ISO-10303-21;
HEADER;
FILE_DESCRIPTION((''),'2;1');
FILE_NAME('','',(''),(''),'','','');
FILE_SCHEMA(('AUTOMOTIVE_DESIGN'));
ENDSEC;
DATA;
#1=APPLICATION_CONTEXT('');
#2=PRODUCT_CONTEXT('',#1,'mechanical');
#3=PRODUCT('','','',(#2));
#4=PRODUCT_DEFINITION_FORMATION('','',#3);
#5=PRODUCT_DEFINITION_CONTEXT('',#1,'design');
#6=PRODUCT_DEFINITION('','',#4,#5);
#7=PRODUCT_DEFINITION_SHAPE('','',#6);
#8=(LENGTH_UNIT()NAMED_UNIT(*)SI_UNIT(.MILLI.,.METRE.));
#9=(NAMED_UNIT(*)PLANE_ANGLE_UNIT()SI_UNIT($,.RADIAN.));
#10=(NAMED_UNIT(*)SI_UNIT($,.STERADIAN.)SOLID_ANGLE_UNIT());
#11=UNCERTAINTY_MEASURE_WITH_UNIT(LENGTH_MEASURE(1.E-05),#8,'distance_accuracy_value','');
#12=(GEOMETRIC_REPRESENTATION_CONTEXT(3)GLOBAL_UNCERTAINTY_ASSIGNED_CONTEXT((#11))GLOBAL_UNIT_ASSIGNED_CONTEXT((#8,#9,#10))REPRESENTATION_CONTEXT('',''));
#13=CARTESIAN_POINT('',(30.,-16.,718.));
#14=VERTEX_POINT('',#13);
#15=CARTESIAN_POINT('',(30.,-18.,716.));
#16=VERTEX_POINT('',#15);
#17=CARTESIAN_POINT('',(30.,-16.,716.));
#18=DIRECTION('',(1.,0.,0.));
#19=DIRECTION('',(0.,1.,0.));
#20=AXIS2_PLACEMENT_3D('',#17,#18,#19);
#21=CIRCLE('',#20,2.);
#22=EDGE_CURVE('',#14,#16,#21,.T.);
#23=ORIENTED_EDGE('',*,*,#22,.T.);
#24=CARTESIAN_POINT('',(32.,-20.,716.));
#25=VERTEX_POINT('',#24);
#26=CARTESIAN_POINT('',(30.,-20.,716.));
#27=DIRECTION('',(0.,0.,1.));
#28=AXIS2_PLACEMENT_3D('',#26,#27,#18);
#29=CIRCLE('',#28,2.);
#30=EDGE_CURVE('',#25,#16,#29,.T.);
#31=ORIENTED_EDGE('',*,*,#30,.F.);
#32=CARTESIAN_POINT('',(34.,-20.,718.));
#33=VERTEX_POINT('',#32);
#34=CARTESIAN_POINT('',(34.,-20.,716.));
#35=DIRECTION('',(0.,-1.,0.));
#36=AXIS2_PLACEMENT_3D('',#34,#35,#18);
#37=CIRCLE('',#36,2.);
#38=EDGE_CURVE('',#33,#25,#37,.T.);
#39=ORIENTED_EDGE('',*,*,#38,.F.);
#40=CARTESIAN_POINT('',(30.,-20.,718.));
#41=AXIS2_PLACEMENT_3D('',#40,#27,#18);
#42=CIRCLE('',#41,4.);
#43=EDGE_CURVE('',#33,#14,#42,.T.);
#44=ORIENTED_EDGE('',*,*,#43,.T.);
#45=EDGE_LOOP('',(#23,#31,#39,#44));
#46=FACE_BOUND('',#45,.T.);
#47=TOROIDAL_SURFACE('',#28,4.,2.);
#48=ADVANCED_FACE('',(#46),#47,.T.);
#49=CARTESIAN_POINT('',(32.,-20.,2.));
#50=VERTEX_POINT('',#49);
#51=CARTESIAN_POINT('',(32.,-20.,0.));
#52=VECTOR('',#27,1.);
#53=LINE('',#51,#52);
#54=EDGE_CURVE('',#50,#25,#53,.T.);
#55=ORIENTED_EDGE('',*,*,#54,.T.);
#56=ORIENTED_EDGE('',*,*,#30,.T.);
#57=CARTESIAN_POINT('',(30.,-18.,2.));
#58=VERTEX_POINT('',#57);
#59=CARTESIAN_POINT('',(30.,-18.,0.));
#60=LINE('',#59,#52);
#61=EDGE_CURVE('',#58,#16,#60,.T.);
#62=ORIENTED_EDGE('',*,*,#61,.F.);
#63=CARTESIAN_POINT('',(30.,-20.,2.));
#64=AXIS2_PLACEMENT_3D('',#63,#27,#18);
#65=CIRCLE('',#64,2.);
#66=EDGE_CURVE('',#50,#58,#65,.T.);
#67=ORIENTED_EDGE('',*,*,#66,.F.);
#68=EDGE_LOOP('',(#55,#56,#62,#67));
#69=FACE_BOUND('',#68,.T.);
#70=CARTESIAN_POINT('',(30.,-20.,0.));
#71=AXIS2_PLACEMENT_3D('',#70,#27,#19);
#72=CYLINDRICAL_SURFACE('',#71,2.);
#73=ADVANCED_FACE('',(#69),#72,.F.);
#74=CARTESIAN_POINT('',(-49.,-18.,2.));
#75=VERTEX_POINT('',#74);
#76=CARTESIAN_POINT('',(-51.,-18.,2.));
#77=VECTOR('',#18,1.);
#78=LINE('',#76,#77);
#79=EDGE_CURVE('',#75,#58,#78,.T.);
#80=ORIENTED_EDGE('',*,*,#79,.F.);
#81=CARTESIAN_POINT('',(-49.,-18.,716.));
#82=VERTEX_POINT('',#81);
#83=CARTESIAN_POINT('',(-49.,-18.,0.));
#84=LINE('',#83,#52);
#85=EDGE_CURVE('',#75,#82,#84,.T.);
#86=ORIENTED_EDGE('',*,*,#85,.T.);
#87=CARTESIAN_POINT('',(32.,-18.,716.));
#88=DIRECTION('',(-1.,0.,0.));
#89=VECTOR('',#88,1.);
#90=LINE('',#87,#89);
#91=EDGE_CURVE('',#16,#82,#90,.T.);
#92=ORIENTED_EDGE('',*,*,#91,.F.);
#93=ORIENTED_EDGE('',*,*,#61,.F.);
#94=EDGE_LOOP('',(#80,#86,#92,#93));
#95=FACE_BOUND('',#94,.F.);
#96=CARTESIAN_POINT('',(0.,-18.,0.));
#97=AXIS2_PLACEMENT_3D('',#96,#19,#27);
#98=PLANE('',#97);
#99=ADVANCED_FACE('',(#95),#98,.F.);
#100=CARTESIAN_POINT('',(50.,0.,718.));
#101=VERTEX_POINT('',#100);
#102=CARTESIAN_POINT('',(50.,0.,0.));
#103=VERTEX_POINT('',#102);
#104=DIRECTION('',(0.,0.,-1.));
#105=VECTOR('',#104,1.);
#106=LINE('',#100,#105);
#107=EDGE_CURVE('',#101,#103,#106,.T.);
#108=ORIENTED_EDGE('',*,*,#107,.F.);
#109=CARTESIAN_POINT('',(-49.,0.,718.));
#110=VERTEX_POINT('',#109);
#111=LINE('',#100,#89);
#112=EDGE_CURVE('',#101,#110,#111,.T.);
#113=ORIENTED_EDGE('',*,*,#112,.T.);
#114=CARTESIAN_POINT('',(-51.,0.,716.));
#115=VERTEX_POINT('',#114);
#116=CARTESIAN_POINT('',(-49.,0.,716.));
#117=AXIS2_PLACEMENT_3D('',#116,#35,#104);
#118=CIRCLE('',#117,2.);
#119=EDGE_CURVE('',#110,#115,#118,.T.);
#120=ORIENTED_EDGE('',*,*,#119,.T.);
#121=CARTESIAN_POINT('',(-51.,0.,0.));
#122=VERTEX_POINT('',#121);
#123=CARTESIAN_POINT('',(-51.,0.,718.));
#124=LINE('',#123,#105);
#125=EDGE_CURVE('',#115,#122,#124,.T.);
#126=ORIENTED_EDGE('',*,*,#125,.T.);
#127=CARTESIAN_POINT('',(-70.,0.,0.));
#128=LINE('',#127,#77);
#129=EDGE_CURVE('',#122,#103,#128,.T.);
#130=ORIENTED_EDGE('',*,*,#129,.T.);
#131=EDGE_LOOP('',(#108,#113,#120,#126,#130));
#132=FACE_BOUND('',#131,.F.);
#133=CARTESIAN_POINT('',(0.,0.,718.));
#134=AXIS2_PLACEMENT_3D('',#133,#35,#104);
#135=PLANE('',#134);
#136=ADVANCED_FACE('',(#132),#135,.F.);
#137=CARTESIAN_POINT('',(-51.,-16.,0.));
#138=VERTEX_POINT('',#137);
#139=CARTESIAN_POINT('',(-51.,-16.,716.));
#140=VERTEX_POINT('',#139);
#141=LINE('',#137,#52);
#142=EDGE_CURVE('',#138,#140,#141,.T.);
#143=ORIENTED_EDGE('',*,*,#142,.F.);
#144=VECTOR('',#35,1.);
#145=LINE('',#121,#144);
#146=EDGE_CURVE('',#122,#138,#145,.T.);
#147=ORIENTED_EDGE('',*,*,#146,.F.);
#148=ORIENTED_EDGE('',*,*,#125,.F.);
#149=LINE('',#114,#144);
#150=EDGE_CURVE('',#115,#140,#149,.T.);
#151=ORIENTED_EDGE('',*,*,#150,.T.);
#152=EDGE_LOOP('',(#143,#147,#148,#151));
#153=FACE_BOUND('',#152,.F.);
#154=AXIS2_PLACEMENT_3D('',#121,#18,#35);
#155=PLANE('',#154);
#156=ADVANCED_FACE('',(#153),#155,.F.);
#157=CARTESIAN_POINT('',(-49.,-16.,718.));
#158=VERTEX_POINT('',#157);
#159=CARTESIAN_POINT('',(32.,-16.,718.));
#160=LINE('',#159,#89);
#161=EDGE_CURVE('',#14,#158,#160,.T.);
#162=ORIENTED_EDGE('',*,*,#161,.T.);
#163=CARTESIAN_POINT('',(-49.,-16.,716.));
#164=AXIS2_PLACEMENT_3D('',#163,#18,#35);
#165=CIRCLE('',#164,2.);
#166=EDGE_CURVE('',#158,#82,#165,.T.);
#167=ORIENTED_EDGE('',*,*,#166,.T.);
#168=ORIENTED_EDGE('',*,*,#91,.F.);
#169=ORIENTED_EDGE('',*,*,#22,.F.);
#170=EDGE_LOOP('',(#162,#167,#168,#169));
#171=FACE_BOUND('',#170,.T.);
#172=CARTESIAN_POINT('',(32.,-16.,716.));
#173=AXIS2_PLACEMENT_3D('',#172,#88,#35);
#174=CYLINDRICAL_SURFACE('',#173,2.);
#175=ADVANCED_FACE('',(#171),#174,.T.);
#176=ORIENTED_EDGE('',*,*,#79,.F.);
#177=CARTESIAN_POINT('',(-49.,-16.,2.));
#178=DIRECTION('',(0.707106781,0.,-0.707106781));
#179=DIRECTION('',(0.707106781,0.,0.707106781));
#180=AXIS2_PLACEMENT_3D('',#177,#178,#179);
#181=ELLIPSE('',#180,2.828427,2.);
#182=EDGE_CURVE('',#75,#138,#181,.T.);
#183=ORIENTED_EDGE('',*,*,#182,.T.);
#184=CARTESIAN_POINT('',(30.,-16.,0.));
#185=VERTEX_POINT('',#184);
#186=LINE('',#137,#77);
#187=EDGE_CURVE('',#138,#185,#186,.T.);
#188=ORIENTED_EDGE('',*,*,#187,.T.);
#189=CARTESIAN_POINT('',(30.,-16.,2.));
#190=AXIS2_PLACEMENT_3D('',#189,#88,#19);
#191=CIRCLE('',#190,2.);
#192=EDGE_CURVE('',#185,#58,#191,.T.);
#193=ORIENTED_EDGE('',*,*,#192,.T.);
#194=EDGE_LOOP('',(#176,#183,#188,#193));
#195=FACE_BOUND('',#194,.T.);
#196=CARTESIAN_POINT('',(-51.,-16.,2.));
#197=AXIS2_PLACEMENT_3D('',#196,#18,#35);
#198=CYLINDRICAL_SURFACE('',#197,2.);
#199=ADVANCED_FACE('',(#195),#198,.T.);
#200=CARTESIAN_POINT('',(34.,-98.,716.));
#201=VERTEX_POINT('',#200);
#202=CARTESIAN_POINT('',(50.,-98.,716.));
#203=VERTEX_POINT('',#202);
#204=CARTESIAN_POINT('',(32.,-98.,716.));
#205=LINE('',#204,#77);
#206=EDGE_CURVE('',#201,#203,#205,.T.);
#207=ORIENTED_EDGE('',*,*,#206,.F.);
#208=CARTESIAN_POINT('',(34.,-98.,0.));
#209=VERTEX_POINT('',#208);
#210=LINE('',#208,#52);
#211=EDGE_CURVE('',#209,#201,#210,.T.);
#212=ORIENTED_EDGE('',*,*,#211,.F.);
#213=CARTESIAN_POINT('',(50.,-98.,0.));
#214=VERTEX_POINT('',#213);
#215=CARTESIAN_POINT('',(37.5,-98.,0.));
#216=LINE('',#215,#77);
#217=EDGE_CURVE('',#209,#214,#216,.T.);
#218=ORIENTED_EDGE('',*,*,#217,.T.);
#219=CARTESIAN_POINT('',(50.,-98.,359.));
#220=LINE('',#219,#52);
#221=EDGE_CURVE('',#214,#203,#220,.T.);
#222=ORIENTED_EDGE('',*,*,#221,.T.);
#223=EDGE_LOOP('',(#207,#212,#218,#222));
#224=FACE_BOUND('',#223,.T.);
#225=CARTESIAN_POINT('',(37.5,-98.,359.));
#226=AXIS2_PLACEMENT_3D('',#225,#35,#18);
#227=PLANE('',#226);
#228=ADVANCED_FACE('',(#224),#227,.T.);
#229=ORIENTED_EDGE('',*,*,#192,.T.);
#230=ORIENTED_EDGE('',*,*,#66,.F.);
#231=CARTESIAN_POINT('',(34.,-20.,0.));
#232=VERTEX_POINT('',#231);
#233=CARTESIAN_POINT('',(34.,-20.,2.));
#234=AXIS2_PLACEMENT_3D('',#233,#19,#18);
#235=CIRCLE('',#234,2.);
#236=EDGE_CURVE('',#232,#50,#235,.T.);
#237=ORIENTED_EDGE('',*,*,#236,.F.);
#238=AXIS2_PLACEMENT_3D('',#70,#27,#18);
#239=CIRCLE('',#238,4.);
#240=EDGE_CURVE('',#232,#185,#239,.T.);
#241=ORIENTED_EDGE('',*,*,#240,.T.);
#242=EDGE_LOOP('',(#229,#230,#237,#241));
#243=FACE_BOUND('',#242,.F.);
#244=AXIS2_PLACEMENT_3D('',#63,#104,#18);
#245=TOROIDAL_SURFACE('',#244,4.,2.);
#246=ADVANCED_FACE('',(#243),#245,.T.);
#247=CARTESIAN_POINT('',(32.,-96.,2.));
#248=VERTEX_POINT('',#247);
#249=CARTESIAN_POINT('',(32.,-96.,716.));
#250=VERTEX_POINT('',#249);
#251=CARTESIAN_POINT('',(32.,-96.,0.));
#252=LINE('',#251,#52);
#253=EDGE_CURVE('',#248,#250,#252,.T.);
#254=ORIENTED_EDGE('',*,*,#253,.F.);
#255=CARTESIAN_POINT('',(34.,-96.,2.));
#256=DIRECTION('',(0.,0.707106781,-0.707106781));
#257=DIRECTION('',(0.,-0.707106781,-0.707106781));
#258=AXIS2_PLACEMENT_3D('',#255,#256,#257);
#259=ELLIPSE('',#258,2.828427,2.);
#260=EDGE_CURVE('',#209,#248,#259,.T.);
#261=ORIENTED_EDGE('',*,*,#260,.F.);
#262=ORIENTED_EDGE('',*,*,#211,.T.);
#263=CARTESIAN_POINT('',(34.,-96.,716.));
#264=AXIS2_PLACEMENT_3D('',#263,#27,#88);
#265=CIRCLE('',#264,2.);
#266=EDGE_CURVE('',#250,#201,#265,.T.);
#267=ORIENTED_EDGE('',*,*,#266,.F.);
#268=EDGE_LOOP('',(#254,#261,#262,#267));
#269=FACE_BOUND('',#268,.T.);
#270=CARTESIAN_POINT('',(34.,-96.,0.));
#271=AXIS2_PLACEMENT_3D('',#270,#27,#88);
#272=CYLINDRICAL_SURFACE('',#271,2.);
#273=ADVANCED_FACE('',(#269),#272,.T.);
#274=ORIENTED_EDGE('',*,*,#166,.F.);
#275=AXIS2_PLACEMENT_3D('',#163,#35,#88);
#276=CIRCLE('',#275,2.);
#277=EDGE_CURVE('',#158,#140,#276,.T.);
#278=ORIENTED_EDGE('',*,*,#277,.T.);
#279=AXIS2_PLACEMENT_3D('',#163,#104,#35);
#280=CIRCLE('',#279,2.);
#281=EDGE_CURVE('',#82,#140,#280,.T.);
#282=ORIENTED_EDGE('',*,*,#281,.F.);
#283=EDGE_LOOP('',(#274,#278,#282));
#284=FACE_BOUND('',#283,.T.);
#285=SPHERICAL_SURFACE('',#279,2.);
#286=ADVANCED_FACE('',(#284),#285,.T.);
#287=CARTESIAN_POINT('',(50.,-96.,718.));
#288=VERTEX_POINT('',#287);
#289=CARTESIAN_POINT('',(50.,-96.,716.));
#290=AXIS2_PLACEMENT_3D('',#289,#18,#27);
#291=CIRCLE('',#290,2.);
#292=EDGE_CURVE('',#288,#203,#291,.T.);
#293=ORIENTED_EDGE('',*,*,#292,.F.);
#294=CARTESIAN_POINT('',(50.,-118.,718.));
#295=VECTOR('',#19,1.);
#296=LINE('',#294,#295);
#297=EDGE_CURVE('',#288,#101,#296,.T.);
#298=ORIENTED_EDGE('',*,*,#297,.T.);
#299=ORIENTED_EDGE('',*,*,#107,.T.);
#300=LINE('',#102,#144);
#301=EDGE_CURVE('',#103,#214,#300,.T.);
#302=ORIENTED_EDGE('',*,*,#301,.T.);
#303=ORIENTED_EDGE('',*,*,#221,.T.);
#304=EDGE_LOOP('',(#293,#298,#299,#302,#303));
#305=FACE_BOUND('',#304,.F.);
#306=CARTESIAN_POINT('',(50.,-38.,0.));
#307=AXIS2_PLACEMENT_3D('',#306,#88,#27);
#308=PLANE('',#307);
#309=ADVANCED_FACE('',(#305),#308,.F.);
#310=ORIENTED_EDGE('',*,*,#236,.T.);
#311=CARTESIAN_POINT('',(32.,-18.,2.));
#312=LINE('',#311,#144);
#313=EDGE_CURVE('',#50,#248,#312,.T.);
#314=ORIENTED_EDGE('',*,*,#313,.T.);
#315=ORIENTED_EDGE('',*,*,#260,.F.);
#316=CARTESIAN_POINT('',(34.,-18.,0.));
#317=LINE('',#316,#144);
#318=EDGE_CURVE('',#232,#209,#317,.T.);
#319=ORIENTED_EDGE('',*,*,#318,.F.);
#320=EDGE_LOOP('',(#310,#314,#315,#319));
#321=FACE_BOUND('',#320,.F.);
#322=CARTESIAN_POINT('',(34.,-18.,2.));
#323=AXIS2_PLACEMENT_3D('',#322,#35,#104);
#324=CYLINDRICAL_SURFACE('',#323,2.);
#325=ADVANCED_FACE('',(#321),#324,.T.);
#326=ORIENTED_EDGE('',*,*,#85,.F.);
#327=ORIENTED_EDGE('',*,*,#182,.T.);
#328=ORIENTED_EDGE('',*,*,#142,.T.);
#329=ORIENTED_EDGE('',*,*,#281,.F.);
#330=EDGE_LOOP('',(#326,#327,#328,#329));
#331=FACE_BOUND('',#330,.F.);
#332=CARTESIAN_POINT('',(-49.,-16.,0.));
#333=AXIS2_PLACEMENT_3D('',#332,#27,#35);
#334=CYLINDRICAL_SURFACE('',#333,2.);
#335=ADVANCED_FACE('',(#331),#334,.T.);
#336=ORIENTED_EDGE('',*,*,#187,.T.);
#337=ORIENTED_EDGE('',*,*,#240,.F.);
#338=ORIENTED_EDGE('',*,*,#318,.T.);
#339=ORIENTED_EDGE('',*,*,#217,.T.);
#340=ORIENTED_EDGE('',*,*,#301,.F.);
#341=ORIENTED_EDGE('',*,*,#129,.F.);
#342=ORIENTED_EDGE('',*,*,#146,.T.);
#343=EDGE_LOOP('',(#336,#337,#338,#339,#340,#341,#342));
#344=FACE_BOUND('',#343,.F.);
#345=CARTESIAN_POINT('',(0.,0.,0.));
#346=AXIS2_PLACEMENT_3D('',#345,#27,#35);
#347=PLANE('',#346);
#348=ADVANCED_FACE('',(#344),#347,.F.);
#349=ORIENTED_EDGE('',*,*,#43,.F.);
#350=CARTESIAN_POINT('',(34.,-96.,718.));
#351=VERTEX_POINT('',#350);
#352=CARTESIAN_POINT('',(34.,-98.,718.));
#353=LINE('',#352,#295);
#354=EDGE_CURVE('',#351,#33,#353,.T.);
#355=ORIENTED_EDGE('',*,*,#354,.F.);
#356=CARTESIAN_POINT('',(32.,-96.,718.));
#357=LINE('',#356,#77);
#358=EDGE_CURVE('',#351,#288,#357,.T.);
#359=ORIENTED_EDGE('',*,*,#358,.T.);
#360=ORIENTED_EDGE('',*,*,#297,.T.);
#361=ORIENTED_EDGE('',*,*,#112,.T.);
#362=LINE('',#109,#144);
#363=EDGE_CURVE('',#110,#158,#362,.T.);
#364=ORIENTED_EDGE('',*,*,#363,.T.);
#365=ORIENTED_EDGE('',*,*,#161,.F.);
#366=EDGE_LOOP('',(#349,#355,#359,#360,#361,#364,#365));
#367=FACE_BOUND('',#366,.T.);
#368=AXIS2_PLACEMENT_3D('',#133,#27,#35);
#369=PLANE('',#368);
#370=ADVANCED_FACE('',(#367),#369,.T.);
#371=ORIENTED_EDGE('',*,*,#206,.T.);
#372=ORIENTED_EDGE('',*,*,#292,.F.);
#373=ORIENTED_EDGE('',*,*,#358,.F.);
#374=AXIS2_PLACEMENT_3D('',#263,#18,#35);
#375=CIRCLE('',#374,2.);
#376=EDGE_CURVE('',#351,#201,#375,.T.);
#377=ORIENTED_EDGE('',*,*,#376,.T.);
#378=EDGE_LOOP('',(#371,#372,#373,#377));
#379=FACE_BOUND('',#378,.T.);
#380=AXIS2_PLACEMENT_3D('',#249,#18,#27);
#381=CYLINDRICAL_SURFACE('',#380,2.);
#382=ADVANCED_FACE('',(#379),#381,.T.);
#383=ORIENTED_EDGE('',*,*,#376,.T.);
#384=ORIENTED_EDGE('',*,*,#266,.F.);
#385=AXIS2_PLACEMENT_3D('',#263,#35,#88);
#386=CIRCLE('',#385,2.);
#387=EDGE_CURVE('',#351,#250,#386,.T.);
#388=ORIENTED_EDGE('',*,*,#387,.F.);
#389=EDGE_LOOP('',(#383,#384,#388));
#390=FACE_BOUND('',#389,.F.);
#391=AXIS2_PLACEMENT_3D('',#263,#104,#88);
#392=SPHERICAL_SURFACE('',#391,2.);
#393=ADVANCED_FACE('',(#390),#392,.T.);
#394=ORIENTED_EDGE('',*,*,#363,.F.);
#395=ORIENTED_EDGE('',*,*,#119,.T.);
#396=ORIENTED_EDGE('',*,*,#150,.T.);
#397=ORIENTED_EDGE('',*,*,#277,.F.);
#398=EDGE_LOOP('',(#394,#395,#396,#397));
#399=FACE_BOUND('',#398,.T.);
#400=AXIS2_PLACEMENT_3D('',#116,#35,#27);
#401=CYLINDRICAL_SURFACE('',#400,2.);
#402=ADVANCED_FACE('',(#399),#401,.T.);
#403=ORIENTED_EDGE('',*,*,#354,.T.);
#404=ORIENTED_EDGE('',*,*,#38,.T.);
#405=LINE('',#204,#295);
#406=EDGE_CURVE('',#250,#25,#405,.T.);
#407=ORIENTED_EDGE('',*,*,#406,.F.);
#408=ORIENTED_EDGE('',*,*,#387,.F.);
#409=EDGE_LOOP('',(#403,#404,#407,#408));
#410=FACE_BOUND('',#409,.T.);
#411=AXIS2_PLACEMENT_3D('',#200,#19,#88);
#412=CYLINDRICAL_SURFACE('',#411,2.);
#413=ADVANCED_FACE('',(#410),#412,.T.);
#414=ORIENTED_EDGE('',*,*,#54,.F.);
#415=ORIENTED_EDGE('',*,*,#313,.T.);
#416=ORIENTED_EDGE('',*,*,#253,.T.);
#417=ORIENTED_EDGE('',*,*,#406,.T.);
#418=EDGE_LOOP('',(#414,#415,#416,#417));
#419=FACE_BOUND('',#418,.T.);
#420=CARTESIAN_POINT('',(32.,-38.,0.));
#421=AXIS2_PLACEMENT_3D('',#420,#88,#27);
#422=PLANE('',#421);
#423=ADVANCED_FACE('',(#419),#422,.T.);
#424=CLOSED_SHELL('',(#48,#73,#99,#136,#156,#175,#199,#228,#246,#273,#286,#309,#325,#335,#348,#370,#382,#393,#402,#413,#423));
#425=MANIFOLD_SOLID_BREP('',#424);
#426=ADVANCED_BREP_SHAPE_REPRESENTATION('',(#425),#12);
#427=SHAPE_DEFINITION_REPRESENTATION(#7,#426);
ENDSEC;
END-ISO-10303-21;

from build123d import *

# Parameters (mm, degrees)
F0_W      = 38.9711558819
F0_H      = 53.4048825502
F1_DEPTH  = 18
F2_DEPTH  = 50
F3_DEPTH  = 25
F4_DEPTH  = 718
F5_W      = 25
F5_H      = 718
F6_DEPTH  = 20
F7_DEPTH  = 7
F8_DEPTH  = 80
F9_DEPTH  = 20
F10_DEPTH = 70
F11_DEPTH = 18
F12_DEPTH = 1
F13_R     = 2


with BuildPart() as f1:
    # F0 (on Front) → F1 (new body)
    with BuildSketch(Plane.XZ):
        with Locations((19.4855779409, 26.7024412751)):
            Rectangle(F0_W, F0_H)
    extrude(amount=F1_DEPTH)

    # F2 (add): a face of the model
    f2_faces = [f1.faces().sort_by_distance(p)[0] for p in [
        (0, -9, 26.7024412751),
    ]]
    extrude(f2_faces, amount=-F2_DEPTH)

    # F3 (add): a face of the model
    f3_faces = [f1.faces().sort_by_distance(p)[0] for p in [
        (25, -9, 0),
    ]]
    extrude(f3_faces, amount=-F3_DEPTH)

    # F4 (add): a face of the model
    f4_faces = [f1.faces().sort_by_distance(p)[0] for p in [
        (25, -9, 0),
    ]]
    extrude(f4_faces, amount=-F4_DEPTH)

    # F5 (on face) → F6 (join)
    with BuildSketch(Plane.XZ.offset(18)):
        with Locations((37.5, 359)):
            Rectangle(F5_W, F5_H)
    extrude(amount=F6_DEPTH)

    # F7 (cut): a face of the model
    f7_faces = [f1.faces().sort_by_distance(p)[0] for p in [
        (25, -28, 359),
    ]]
    extrude(f7_faces, amount=-F7_DEPTH, mode=Mode.SUBTRACT)

    # F8 (add): a face of the model
    f8_faces = [f1.faces().sort_by_distance(p)[0] for p in [
        (41, -38, 359),
    ]]
    extrude(f8_faces, amount=F8_DEPTH)

    # F9 (cut): a face of the model
    f9_faces = [f1.faces().sort_by_distance(p)[0] for p in [
        (41, -118, 359),
    ]]
    extrude(f9_faces, amount=-F9_DEPTH, mode=Mode.SUBTRACT)

    # F10 (add): a face of the model
    f10_faces = [f1.faces().sort_by_distance(p)[0] for p in [
        (0, -9, 359),
    ]]
    extrude(f10_faces, amount=F10_DEPTH)

    # F11 (cut): a face of the model
    f11_faces = [f1.faces().sort_by_distance(p)[0] for p in [
        (-70, -9, 359),
    ]]
    extrude(f11_faces, amount=-F11_DEPTH, mode=Mode.SUBTRACT)

    # F12 (cut): a face of the model
    f12_faces = [f1.faces().sort_by_distance(p)[0] for p in [
        (-52, -9, 359),
    ]]
    extrude(f12_faces, amount=-F12_DEPTH, mode=Mode.SUBTRACT)

    # F13
    f13_edges = [f1.edges().sort_by_distance(p)[0] for p in [
        (-9.5, -18, 0),
        (-51, -18, 359),
        (-9.5, -18, 718),
        (32, -18, 359),
        (32, -58, 0),
        (32, -98, 359),
        (32, -58, 718),
        (41, -98, 718),
        (-51, -9, 718),
    ]]
    fillet(f13_edges, radius=F13_R)


solid = f1.part
